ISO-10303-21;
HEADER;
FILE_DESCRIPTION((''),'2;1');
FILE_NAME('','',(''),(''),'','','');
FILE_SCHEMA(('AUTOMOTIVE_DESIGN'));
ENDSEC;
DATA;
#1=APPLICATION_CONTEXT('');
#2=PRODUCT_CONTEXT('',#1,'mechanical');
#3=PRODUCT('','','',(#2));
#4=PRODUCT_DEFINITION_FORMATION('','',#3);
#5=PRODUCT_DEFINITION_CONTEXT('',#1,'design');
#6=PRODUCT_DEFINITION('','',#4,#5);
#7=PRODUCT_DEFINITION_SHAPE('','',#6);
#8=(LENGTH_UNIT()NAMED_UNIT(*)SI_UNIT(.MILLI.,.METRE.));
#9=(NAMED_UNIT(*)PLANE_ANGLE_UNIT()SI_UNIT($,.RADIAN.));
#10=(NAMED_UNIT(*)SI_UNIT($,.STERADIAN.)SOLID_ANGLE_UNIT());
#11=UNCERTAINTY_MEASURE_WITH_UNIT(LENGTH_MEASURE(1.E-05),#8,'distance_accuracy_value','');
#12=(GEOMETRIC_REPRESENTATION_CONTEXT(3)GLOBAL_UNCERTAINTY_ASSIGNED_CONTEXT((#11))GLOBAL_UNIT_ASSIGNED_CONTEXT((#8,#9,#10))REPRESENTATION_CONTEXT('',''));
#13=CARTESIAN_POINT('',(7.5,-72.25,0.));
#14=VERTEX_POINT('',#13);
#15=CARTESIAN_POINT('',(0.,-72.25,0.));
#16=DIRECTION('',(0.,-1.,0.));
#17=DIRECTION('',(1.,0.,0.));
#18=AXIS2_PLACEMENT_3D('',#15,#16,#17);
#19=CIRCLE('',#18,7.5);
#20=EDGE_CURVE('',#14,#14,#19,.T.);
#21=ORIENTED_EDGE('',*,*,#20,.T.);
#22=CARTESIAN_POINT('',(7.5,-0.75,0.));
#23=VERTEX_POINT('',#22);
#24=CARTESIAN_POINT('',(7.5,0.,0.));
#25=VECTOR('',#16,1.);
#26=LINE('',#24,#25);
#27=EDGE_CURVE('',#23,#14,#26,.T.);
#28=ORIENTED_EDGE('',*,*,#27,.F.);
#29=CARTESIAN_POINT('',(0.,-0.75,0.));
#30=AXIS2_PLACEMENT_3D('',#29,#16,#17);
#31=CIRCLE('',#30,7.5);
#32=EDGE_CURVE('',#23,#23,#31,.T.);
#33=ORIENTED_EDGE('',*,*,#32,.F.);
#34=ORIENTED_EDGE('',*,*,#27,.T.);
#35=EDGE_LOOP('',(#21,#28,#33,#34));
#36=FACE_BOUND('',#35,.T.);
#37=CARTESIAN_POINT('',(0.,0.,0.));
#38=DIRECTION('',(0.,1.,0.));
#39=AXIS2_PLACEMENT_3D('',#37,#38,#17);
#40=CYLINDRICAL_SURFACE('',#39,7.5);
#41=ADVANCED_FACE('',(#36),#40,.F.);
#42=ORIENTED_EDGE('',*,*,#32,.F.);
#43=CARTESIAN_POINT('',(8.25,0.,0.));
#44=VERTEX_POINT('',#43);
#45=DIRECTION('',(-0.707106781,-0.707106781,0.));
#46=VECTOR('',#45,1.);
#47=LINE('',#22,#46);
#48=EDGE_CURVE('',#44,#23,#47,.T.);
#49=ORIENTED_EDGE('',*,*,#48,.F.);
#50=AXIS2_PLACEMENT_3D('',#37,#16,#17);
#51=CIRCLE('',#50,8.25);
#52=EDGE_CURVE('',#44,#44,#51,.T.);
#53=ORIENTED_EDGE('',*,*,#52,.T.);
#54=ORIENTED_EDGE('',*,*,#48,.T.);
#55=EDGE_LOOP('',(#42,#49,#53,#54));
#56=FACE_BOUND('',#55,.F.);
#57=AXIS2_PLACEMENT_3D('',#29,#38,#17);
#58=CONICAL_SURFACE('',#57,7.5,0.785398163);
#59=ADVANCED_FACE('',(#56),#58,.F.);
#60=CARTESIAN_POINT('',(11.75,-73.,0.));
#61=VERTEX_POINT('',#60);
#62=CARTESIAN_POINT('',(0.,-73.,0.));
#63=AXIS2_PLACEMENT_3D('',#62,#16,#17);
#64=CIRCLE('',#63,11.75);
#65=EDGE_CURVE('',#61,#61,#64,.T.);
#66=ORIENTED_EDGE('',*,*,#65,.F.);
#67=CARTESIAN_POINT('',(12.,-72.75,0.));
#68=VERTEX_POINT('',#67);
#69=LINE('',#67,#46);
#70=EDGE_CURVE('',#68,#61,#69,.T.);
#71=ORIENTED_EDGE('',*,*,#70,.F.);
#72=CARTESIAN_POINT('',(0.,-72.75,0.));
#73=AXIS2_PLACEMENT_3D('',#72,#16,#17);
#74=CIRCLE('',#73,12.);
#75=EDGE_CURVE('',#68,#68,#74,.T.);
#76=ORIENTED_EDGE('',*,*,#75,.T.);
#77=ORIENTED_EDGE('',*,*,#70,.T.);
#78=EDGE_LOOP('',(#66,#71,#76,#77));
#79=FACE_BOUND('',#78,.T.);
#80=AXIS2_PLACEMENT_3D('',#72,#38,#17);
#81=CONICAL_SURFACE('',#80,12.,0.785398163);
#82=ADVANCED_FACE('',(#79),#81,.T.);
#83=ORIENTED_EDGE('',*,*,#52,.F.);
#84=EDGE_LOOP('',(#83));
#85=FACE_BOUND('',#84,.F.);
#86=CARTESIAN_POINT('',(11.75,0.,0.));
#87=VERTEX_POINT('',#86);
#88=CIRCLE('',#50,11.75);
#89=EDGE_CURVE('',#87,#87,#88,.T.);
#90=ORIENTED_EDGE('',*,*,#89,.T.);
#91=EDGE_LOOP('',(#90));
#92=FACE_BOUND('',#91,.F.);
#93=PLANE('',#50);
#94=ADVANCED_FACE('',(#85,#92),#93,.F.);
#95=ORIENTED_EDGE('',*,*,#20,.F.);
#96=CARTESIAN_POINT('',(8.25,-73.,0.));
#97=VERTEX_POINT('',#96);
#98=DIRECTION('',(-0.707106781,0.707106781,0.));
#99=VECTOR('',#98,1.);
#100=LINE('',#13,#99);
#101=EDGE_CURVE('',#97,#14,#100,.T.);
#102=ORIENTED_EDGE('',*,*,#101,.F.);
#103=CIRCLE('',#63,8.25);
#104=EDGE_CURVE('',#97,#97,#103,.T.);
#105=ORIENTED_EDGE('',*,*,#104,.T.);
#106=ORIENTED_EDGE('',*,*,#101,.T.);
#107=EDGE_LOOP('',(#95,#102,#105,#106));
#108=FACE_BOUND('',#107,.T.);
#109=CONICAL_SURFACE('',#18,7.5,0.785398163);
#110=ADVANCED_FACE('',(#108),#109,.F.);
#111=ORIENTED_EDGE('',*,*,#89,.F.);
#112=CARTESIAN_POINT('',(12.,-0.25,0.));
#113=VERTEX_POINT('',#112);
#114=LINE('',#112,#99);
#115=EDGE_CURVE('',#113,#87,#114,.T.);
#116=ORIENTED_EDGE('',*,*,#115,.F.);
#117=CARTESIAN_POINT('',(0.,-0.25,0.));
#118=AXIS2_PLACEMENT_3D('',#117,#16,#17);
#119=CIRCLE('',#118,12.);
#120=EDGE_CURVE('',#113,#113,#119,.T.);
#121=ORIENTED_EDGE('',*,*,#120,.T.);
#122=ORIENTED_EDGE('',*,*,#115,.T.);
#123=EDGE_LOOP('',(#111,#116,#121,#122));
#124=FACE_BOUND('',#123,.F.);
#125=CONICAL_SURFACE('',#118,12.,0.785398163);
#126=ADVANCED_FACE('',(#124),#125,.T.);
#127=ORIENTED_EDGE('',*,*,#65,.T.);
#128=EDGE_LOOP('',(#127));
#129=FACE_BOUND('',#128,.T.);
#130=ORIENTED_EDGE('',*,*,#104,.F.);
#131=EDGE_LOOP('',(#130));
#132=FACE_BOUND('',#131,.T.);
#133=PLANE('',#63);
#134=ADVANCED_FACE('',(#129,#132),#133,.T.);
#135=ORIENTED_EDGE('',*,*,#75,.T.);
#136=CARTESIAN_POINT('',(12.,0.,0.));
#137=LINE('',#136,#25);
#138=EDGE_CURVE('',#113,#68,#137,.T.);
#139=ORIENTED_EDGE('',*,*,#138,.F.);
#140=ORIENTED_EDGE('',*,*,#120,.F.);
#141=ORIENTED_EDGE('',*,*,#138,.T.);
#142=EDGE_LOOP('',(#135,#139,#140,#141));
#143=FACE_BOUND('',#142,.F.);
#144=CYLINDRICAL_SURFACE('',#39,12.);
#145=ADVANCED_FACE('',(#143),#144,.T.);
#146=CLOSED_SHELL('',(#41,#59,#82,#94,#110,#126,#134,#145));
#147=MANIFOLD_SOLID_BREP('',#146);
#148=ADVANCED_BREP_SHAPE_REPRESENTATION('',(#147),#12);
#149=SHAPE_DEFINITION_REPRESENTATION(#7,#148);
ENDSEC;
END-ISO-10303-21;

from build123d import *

# Parameters (mm, degrees)
F0_R     = 12
F0_R_2   = 7.5
F1_DEPTH = 73
F2_SIZE  = 0.25
F3_SIZE  = 0.75


with BuildPart() as f1:
    # F0 (on Front) → F1 (new body)
    with BuildSketch(Plane.XZ):
        Circle(F0_R)
        Circle(F0_R_2, mode=Mode.SUBTRACT)
    extrude(amount=F1_DEPTH)

    # F2
    f2_edges = [f1.edges().sort_by_distance(p)[0] for p in [
        (-12, -73, 0),
        (-12, 0, 0),
    ]]
    chamfer(f2_edges, length=F2_SIZE)

    # F3
    f3_edges = [f1.edges().sort_by_distance(p)[0] for p in [
        (-7.5, -73, 0),
        (-7.5, 0, 0),
    ]]
    chamfer(f3_edges, length=F3_SIZE)


solid = f1.part
